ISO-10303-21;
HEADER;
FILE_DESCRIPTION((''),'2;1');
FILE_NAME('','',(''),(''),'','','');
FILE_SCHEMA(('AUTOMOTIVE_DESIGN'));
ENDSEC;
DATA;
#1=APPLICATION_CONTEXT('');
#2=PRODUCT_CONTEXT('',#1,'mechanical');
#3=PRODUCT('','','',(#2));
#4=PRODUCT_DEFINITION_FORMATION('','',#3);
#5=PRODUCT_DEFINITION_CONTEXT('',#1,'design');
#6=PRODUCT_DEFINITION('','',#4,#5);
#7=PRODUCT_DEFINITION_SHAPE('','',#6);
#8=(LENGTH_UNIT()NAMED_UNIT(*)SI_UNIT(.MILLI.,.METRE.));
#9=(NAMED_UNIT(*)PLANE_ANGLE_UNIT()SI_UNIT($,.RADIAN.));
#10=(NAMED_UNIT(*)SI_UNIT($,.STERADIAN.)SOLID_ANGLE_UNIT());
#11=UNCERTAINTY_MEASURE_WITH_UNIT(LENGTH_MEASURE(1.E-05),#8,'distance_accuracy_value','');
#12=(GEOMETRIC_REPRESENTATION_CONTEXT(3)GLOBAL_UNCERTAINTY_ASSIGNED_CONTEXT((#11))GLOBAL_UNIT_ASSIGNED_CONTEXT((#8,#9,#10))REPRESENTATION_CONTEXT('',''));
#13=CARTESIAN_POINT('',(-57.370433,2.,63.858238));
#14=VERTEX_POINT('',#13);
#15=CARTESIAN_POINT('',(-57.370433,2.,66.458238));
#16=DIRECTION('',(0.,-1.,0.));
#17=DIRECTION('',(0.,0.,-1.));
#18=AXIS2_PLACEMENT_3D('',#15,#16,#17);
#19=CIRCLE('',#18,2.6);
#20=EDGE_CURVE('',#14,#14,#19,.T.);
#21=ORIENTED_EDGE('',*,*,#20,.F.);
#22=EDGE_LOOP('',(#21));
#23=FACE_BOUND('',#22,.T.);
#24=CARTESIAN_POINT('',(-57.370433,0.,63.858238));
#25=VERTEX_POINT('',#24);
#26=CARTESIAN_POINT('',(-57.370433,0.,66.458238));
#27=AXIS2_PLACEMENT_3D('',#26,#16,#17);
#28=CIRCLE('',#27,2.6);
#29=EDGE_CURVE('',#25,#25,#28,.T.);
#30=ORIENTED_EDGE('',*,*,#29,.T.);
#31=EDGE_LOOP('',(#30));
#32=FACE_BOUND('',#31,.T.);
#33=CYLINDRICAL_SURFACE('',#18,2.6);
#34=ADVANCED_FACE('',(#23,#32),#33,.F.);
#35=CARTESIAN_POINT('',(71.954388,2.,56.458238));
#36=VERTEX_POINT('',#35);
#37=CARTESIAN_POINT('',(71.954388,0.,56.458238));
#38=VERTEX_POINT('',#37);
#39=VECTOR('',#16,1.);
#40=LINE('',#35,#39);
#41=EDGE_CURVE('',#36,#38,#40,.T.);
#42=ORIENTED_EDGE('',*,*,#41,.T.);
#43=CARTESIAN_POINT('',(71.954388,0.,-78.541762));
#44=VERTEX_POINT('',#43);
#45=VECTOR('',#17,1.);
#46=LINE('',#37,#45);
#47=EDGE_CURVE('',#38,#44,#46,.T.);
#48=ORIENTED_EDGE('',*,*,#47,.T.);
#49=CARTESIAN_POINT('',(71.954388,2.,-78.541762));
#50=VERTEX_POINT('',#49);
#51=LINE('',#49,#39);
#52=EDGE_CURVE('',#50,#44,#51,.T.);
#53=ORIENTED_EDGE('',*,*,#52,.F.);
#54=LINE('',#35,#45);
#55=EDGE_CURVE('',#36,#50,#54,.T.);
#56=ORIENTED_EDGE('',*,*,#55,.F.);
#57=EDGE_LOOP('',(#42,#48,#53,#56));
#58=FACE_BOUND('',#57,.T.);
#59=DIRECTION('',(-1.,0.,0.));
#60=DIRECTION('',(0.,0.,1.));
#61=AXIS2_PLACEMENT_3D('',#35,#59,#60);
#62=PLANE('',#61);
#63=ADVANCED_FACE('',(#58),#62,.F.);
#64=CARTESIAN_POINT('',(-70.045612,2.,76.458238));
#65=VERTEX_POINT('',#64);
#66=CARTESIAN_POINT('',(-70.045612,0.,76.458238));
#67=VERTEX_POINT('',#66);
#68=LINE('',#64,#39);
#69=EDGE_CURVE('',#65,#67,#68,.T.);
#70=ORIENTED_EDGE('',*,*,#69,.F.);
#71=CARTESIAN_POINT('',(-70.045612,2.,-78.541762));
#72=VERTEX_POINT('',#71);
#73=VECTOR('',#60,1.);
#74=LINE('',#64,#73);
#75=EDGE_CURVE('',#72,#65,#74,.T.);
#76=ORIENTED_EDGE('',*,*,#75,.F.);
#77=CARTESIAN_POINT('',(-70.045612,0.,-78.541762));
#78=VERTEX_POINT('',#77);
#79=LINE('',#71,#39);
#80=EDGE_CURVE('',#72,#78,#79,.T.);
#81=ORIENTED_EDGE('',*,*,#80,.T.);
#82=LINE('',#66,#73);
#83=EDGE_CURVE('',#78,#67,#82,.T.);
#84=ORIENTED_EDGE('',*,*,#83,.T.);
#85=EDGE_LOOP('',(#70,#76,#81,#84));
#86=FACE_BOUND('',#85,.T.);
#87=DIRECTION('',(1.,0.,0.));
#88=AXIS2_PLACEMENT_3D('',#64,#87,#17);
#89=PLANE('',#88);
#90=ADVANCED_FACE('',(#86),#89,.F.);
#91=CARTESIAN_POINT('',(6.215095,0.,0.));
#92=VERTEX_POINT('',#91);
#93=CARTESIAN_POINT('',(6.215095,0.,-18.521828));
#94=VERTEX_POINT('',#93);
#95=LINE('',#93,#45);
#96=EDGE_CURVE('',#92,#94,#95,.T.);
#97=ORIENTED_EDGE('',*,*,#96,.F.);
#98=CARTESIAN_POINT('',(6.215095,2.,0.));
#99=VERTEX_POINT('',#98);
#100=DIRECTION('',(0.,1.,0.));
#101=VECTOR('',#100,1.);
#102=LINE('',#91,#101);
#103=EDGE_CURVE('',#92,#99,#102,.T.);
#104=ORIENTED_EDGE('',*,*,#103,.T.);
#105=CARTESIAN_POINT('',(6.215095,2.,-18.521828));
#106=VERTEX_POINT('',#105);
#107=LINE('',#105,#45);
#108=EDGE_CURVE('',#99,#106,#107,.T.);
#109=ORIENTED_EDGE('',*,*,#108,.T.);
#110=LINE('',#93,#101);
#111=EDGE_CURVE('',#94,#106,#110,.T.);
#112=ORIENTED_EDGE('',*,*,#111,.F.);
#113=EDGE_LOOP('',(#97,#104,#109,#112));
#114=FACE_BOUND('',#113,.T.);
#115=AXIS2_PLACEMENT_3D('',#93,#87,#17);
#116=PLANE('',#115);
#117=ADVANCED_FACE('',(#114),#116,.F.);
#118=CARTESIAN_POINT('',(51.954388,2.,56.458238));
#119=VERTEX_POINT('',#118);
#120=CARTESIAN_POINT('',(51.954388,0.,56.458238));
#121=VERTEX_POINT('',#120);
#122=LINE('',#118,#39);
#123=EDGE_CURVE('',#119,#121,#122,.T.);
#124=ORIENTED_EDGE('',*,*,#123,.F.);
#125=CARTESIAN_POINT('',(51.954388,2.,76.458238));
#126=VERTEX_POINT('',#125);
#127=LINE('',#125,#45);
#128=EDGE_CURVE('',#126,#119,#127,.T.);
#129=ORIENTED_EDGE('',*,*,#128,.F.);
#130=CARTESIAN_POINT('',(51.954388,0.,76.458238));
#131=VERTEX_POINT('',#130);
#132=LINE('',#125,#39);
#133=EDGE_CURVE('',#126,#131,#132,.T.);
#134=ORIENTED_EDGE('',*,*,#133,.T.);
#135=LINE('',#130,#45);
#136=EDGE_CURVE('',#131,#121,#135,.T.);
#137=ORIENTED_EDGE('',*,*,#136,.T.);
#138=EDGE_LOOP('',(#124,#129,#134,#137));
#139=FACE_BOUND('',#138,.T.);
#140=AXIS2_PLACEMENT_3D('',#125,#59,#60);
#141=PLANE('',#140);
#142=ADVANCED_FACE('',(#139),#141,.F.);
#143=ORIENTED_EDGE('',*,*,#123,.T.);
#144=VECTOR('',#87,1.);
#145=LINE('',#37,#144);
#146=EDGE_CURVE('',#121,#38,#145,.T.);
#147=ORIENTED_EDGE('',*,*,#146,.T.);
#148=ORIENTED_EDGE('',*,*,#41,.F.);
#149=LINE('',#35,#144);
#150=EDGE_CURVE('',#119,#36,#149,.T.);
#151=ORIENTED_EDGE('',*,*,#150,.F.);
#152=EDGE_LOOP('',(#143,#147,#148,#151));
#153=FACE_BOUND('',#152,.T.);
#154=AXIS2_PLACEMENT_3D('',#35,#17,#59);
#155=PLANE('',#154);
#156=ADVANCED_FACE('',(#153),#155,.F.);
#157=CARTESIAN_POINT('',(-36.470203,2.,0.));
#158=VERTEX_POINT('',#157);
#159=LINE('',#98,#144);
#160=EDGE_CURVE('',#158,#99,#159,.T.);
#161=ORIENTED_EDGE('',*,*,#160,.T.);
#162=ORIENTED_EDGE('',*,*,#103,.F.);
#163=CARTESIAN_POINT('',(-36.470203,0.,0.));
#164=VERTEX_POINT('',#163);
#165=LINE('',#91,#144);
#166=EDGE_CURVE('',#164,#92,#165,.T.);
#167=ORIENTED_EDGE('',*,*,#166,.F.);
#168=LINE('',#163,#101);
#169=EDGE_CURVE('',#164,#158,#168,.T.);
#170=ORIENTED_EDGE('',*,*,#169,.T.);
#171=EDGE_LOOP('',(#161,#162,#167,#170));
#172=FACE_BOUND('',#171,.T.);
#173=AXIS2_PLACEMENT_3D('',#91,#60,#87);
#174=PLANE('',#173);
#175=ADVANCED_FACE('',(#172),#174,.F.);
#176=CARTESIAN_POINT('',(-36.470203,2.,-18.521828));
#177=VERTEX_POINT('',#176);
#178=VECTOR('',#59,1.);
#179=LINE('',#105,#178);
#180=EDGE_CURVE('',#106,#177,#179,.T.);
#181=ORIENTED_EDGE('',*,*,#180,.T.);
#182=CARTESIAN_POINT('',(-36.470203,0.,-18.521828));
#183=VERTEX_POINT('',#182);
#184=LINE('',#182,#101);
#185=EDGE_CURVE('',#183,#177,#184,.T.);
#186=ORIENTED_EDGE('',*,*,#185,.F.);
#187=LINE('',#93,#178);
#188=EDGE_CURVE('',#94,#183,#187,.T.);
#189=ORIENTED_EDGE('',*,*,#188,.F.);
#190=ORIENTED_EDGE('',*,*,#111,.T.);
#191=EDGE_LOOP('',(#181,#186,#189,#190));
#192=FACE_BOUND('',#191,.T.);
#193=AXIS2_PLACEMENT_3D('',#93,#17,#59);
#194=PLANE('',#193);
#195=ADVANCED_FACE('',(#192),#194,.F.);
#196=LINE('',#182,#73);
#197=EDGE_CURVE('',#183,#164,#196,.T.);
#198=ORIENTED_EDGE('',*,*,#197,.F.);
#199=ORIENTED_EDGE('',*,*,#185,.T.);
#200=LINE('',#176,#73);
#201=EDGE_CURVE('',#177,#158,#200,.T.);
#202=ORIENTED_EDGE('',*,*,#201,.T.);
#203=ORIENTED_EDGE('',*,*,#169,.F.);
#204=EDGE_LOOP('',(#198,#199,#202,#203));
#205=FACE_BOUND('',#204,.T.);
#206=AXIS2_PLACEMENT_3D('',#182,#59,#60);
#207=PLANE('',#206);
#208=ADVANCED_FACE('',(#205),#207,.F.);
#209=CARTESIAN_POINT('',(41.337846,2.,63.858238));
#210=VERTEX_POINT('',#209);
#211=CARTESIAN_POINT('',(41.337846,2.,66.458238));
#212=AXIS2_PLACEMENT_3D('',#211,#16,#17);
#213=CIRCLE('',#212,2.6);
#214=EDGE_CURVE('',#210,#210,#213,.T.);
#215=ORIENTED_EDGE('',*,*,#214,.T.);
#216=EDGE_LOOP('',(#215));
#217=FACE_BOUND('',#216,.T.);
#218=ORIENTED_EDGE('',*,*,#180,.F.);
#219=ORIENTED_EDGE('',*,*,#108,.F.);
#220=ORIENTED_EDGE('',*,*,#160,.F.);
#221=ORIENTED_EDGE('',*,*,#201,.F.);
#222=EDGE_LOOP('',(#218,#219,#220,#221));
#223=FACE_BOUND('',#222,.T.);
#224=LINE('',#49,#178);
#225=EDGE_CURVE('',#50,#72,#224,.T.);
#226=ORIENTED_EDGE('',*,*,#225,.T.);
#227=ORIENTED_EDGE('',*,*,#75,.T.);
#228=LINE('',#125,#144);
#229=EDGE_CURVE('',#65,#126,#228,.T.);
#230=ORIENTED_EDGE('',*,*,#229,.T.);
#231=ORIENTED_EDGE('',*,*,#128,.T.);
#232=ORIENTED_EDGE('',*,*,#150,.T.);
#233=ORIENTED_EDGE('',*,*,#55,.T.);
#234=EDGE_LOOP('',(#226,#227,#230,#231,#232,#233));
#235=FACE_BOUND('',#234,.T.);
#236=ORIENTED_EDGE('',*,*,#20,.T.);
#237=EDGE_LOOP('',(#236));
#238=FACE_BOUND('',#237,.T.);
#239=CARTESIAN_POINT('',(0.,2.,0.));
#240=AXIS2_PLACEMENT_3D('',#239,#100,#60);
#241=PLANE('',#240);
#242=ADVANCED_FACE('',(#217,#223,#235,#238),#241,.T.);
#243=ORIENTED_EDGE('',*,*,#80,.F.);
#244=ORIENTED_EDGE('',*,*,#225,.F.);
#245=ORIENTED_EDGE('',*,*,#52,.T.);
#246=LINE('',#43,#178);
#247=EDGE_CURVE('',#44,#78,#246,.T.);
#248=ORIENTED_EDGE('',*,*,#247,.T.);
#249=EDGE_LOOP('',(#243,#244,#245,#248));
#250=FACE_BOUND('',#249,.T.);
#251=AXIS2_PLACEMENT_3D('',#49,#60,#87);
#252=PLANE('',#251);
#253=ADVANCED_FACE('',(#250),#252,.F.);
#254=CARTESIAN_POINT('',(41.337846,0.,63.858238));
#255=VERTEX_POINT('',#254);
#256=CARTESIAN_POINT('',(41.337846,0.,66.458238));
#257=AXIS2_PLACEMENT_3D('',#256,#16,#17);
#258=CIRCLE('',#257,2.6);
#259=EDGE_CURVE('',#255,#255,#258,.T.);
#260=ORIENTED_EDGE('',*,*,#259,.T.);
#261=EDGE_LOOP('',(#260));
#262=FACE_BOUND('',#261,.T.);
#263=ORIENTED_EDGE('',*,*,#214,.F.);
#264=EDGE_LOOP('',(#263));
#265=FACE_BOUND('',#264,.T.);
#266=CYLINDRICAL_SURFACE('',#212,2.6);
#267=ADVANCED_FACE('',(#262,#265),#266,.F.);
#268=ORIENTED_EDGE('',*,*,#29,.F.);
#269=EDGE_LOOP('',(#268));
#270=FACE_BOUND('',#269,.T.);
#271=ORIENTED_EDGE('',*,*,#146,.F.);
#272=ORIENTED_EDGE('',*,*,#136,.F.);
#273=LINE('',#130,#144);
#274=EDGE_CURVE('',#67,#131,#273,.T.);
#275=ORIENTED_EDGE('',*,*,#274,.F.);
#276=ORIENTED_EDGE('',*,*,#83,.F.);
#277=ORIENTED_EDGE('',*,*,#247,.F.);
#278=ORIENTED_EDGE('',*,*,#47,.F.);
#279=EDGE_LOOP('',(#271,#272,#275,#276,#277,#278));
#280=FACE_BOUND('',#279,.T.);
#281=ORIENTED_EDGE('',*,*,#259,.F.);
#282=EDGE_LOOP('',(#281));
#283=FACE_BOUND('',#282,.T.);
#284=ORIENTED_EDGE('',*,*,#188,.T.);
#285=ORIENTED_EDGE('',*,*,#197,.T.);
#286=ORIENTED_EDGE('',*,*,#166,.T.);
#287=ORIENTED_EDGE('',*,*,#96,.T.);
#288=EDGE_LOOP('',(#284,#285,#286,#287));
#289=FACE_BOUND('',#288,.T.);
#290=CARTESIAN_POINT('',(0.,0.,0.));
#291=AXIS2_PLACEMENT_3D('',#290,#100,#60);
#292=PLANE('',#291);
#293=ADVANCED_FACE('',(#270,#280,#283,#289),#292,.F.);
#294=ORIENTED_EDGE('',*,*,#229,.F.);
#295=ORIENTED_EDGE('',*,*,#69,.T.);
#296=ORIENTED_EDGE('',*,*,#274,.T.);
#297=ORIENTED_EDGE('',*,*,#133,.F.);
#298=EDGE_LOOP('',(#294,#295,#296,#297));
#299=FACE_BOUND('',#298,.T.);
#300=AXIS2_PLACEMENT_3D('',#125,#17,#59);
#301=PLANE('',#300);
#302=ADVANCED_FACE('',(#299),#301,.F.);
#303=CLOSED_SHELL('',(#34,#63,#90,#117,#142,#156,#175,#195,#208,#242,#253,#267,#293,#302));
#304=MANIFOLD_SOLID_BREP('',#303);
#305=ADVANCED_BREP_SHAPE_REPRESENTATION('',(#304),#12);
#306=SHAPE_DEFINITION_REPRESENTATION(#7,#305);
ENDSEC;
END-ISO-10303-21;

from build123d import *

# Parameters (mm, degrees)
P_IDAT_VYSUNUT_M1_DEPTH  = 2
SKICA2_W                 = 42.685297449
SKICA2_H                 = 18.521827687
ODEBRAT_VYSUNUT_M1_DEPTH = 2
SKICA3_R                 = 2.6
ODEBRAT_VYSUNUT_M2_DEPTH = 2


with BuildPart() as part:
    # Skica1 → Přidat vysunutím1 (new body)
    with BuildSketch(Plane(origin=(0, 0, 0), x_dir=(1, 0, 0), z_dir=(0, 1, 0))):
        Polygon((51.954387959, -76.458238495), (-70.045612041, -76.458238495), (-70.045612041, 78.541761505), (71.954387959, 78.541761505), (71.954387959, -56.458238495), (51.954387959, -56.458238495), align=None)
    extrude(amount=P_IDAT_VYSUNUT_M1_DEPTH)

    # Skica2 → Odebrat vysunutím1 (cut)
    with BuildSketch(Plane(origin=(0, 2, 0), x_dir=(1, 0, 0), z_dir=(0, 1, 0))):
        with Locations((-15.127554213, 9.260913844)):
            Rectangle(SKICA2_W, SKICA2_H)
    extrude(amount=-ODEBRAT_VYSUNUT_M1_DEPTH, mode=Mode.SUBTRACT)

    # Skica3 → Odebrat vysunutím2 (cut)
    with BuildSketch(Plane.XZ):
        with Locations(Location((41.337845964, 66.458238495, 0), (0, 0, 270))):
            Circle(SKICA3_R)
        with Locations(Location((-57.3704334, 66.458238495, 0), (0, 0, 270))):
            Circle(SKICA3_R)
    extrude(amount=-ODEBRAT_VYSUNUT_M2_DEPTH, mode=Mode.SUBTRACT)


solid = part.part
